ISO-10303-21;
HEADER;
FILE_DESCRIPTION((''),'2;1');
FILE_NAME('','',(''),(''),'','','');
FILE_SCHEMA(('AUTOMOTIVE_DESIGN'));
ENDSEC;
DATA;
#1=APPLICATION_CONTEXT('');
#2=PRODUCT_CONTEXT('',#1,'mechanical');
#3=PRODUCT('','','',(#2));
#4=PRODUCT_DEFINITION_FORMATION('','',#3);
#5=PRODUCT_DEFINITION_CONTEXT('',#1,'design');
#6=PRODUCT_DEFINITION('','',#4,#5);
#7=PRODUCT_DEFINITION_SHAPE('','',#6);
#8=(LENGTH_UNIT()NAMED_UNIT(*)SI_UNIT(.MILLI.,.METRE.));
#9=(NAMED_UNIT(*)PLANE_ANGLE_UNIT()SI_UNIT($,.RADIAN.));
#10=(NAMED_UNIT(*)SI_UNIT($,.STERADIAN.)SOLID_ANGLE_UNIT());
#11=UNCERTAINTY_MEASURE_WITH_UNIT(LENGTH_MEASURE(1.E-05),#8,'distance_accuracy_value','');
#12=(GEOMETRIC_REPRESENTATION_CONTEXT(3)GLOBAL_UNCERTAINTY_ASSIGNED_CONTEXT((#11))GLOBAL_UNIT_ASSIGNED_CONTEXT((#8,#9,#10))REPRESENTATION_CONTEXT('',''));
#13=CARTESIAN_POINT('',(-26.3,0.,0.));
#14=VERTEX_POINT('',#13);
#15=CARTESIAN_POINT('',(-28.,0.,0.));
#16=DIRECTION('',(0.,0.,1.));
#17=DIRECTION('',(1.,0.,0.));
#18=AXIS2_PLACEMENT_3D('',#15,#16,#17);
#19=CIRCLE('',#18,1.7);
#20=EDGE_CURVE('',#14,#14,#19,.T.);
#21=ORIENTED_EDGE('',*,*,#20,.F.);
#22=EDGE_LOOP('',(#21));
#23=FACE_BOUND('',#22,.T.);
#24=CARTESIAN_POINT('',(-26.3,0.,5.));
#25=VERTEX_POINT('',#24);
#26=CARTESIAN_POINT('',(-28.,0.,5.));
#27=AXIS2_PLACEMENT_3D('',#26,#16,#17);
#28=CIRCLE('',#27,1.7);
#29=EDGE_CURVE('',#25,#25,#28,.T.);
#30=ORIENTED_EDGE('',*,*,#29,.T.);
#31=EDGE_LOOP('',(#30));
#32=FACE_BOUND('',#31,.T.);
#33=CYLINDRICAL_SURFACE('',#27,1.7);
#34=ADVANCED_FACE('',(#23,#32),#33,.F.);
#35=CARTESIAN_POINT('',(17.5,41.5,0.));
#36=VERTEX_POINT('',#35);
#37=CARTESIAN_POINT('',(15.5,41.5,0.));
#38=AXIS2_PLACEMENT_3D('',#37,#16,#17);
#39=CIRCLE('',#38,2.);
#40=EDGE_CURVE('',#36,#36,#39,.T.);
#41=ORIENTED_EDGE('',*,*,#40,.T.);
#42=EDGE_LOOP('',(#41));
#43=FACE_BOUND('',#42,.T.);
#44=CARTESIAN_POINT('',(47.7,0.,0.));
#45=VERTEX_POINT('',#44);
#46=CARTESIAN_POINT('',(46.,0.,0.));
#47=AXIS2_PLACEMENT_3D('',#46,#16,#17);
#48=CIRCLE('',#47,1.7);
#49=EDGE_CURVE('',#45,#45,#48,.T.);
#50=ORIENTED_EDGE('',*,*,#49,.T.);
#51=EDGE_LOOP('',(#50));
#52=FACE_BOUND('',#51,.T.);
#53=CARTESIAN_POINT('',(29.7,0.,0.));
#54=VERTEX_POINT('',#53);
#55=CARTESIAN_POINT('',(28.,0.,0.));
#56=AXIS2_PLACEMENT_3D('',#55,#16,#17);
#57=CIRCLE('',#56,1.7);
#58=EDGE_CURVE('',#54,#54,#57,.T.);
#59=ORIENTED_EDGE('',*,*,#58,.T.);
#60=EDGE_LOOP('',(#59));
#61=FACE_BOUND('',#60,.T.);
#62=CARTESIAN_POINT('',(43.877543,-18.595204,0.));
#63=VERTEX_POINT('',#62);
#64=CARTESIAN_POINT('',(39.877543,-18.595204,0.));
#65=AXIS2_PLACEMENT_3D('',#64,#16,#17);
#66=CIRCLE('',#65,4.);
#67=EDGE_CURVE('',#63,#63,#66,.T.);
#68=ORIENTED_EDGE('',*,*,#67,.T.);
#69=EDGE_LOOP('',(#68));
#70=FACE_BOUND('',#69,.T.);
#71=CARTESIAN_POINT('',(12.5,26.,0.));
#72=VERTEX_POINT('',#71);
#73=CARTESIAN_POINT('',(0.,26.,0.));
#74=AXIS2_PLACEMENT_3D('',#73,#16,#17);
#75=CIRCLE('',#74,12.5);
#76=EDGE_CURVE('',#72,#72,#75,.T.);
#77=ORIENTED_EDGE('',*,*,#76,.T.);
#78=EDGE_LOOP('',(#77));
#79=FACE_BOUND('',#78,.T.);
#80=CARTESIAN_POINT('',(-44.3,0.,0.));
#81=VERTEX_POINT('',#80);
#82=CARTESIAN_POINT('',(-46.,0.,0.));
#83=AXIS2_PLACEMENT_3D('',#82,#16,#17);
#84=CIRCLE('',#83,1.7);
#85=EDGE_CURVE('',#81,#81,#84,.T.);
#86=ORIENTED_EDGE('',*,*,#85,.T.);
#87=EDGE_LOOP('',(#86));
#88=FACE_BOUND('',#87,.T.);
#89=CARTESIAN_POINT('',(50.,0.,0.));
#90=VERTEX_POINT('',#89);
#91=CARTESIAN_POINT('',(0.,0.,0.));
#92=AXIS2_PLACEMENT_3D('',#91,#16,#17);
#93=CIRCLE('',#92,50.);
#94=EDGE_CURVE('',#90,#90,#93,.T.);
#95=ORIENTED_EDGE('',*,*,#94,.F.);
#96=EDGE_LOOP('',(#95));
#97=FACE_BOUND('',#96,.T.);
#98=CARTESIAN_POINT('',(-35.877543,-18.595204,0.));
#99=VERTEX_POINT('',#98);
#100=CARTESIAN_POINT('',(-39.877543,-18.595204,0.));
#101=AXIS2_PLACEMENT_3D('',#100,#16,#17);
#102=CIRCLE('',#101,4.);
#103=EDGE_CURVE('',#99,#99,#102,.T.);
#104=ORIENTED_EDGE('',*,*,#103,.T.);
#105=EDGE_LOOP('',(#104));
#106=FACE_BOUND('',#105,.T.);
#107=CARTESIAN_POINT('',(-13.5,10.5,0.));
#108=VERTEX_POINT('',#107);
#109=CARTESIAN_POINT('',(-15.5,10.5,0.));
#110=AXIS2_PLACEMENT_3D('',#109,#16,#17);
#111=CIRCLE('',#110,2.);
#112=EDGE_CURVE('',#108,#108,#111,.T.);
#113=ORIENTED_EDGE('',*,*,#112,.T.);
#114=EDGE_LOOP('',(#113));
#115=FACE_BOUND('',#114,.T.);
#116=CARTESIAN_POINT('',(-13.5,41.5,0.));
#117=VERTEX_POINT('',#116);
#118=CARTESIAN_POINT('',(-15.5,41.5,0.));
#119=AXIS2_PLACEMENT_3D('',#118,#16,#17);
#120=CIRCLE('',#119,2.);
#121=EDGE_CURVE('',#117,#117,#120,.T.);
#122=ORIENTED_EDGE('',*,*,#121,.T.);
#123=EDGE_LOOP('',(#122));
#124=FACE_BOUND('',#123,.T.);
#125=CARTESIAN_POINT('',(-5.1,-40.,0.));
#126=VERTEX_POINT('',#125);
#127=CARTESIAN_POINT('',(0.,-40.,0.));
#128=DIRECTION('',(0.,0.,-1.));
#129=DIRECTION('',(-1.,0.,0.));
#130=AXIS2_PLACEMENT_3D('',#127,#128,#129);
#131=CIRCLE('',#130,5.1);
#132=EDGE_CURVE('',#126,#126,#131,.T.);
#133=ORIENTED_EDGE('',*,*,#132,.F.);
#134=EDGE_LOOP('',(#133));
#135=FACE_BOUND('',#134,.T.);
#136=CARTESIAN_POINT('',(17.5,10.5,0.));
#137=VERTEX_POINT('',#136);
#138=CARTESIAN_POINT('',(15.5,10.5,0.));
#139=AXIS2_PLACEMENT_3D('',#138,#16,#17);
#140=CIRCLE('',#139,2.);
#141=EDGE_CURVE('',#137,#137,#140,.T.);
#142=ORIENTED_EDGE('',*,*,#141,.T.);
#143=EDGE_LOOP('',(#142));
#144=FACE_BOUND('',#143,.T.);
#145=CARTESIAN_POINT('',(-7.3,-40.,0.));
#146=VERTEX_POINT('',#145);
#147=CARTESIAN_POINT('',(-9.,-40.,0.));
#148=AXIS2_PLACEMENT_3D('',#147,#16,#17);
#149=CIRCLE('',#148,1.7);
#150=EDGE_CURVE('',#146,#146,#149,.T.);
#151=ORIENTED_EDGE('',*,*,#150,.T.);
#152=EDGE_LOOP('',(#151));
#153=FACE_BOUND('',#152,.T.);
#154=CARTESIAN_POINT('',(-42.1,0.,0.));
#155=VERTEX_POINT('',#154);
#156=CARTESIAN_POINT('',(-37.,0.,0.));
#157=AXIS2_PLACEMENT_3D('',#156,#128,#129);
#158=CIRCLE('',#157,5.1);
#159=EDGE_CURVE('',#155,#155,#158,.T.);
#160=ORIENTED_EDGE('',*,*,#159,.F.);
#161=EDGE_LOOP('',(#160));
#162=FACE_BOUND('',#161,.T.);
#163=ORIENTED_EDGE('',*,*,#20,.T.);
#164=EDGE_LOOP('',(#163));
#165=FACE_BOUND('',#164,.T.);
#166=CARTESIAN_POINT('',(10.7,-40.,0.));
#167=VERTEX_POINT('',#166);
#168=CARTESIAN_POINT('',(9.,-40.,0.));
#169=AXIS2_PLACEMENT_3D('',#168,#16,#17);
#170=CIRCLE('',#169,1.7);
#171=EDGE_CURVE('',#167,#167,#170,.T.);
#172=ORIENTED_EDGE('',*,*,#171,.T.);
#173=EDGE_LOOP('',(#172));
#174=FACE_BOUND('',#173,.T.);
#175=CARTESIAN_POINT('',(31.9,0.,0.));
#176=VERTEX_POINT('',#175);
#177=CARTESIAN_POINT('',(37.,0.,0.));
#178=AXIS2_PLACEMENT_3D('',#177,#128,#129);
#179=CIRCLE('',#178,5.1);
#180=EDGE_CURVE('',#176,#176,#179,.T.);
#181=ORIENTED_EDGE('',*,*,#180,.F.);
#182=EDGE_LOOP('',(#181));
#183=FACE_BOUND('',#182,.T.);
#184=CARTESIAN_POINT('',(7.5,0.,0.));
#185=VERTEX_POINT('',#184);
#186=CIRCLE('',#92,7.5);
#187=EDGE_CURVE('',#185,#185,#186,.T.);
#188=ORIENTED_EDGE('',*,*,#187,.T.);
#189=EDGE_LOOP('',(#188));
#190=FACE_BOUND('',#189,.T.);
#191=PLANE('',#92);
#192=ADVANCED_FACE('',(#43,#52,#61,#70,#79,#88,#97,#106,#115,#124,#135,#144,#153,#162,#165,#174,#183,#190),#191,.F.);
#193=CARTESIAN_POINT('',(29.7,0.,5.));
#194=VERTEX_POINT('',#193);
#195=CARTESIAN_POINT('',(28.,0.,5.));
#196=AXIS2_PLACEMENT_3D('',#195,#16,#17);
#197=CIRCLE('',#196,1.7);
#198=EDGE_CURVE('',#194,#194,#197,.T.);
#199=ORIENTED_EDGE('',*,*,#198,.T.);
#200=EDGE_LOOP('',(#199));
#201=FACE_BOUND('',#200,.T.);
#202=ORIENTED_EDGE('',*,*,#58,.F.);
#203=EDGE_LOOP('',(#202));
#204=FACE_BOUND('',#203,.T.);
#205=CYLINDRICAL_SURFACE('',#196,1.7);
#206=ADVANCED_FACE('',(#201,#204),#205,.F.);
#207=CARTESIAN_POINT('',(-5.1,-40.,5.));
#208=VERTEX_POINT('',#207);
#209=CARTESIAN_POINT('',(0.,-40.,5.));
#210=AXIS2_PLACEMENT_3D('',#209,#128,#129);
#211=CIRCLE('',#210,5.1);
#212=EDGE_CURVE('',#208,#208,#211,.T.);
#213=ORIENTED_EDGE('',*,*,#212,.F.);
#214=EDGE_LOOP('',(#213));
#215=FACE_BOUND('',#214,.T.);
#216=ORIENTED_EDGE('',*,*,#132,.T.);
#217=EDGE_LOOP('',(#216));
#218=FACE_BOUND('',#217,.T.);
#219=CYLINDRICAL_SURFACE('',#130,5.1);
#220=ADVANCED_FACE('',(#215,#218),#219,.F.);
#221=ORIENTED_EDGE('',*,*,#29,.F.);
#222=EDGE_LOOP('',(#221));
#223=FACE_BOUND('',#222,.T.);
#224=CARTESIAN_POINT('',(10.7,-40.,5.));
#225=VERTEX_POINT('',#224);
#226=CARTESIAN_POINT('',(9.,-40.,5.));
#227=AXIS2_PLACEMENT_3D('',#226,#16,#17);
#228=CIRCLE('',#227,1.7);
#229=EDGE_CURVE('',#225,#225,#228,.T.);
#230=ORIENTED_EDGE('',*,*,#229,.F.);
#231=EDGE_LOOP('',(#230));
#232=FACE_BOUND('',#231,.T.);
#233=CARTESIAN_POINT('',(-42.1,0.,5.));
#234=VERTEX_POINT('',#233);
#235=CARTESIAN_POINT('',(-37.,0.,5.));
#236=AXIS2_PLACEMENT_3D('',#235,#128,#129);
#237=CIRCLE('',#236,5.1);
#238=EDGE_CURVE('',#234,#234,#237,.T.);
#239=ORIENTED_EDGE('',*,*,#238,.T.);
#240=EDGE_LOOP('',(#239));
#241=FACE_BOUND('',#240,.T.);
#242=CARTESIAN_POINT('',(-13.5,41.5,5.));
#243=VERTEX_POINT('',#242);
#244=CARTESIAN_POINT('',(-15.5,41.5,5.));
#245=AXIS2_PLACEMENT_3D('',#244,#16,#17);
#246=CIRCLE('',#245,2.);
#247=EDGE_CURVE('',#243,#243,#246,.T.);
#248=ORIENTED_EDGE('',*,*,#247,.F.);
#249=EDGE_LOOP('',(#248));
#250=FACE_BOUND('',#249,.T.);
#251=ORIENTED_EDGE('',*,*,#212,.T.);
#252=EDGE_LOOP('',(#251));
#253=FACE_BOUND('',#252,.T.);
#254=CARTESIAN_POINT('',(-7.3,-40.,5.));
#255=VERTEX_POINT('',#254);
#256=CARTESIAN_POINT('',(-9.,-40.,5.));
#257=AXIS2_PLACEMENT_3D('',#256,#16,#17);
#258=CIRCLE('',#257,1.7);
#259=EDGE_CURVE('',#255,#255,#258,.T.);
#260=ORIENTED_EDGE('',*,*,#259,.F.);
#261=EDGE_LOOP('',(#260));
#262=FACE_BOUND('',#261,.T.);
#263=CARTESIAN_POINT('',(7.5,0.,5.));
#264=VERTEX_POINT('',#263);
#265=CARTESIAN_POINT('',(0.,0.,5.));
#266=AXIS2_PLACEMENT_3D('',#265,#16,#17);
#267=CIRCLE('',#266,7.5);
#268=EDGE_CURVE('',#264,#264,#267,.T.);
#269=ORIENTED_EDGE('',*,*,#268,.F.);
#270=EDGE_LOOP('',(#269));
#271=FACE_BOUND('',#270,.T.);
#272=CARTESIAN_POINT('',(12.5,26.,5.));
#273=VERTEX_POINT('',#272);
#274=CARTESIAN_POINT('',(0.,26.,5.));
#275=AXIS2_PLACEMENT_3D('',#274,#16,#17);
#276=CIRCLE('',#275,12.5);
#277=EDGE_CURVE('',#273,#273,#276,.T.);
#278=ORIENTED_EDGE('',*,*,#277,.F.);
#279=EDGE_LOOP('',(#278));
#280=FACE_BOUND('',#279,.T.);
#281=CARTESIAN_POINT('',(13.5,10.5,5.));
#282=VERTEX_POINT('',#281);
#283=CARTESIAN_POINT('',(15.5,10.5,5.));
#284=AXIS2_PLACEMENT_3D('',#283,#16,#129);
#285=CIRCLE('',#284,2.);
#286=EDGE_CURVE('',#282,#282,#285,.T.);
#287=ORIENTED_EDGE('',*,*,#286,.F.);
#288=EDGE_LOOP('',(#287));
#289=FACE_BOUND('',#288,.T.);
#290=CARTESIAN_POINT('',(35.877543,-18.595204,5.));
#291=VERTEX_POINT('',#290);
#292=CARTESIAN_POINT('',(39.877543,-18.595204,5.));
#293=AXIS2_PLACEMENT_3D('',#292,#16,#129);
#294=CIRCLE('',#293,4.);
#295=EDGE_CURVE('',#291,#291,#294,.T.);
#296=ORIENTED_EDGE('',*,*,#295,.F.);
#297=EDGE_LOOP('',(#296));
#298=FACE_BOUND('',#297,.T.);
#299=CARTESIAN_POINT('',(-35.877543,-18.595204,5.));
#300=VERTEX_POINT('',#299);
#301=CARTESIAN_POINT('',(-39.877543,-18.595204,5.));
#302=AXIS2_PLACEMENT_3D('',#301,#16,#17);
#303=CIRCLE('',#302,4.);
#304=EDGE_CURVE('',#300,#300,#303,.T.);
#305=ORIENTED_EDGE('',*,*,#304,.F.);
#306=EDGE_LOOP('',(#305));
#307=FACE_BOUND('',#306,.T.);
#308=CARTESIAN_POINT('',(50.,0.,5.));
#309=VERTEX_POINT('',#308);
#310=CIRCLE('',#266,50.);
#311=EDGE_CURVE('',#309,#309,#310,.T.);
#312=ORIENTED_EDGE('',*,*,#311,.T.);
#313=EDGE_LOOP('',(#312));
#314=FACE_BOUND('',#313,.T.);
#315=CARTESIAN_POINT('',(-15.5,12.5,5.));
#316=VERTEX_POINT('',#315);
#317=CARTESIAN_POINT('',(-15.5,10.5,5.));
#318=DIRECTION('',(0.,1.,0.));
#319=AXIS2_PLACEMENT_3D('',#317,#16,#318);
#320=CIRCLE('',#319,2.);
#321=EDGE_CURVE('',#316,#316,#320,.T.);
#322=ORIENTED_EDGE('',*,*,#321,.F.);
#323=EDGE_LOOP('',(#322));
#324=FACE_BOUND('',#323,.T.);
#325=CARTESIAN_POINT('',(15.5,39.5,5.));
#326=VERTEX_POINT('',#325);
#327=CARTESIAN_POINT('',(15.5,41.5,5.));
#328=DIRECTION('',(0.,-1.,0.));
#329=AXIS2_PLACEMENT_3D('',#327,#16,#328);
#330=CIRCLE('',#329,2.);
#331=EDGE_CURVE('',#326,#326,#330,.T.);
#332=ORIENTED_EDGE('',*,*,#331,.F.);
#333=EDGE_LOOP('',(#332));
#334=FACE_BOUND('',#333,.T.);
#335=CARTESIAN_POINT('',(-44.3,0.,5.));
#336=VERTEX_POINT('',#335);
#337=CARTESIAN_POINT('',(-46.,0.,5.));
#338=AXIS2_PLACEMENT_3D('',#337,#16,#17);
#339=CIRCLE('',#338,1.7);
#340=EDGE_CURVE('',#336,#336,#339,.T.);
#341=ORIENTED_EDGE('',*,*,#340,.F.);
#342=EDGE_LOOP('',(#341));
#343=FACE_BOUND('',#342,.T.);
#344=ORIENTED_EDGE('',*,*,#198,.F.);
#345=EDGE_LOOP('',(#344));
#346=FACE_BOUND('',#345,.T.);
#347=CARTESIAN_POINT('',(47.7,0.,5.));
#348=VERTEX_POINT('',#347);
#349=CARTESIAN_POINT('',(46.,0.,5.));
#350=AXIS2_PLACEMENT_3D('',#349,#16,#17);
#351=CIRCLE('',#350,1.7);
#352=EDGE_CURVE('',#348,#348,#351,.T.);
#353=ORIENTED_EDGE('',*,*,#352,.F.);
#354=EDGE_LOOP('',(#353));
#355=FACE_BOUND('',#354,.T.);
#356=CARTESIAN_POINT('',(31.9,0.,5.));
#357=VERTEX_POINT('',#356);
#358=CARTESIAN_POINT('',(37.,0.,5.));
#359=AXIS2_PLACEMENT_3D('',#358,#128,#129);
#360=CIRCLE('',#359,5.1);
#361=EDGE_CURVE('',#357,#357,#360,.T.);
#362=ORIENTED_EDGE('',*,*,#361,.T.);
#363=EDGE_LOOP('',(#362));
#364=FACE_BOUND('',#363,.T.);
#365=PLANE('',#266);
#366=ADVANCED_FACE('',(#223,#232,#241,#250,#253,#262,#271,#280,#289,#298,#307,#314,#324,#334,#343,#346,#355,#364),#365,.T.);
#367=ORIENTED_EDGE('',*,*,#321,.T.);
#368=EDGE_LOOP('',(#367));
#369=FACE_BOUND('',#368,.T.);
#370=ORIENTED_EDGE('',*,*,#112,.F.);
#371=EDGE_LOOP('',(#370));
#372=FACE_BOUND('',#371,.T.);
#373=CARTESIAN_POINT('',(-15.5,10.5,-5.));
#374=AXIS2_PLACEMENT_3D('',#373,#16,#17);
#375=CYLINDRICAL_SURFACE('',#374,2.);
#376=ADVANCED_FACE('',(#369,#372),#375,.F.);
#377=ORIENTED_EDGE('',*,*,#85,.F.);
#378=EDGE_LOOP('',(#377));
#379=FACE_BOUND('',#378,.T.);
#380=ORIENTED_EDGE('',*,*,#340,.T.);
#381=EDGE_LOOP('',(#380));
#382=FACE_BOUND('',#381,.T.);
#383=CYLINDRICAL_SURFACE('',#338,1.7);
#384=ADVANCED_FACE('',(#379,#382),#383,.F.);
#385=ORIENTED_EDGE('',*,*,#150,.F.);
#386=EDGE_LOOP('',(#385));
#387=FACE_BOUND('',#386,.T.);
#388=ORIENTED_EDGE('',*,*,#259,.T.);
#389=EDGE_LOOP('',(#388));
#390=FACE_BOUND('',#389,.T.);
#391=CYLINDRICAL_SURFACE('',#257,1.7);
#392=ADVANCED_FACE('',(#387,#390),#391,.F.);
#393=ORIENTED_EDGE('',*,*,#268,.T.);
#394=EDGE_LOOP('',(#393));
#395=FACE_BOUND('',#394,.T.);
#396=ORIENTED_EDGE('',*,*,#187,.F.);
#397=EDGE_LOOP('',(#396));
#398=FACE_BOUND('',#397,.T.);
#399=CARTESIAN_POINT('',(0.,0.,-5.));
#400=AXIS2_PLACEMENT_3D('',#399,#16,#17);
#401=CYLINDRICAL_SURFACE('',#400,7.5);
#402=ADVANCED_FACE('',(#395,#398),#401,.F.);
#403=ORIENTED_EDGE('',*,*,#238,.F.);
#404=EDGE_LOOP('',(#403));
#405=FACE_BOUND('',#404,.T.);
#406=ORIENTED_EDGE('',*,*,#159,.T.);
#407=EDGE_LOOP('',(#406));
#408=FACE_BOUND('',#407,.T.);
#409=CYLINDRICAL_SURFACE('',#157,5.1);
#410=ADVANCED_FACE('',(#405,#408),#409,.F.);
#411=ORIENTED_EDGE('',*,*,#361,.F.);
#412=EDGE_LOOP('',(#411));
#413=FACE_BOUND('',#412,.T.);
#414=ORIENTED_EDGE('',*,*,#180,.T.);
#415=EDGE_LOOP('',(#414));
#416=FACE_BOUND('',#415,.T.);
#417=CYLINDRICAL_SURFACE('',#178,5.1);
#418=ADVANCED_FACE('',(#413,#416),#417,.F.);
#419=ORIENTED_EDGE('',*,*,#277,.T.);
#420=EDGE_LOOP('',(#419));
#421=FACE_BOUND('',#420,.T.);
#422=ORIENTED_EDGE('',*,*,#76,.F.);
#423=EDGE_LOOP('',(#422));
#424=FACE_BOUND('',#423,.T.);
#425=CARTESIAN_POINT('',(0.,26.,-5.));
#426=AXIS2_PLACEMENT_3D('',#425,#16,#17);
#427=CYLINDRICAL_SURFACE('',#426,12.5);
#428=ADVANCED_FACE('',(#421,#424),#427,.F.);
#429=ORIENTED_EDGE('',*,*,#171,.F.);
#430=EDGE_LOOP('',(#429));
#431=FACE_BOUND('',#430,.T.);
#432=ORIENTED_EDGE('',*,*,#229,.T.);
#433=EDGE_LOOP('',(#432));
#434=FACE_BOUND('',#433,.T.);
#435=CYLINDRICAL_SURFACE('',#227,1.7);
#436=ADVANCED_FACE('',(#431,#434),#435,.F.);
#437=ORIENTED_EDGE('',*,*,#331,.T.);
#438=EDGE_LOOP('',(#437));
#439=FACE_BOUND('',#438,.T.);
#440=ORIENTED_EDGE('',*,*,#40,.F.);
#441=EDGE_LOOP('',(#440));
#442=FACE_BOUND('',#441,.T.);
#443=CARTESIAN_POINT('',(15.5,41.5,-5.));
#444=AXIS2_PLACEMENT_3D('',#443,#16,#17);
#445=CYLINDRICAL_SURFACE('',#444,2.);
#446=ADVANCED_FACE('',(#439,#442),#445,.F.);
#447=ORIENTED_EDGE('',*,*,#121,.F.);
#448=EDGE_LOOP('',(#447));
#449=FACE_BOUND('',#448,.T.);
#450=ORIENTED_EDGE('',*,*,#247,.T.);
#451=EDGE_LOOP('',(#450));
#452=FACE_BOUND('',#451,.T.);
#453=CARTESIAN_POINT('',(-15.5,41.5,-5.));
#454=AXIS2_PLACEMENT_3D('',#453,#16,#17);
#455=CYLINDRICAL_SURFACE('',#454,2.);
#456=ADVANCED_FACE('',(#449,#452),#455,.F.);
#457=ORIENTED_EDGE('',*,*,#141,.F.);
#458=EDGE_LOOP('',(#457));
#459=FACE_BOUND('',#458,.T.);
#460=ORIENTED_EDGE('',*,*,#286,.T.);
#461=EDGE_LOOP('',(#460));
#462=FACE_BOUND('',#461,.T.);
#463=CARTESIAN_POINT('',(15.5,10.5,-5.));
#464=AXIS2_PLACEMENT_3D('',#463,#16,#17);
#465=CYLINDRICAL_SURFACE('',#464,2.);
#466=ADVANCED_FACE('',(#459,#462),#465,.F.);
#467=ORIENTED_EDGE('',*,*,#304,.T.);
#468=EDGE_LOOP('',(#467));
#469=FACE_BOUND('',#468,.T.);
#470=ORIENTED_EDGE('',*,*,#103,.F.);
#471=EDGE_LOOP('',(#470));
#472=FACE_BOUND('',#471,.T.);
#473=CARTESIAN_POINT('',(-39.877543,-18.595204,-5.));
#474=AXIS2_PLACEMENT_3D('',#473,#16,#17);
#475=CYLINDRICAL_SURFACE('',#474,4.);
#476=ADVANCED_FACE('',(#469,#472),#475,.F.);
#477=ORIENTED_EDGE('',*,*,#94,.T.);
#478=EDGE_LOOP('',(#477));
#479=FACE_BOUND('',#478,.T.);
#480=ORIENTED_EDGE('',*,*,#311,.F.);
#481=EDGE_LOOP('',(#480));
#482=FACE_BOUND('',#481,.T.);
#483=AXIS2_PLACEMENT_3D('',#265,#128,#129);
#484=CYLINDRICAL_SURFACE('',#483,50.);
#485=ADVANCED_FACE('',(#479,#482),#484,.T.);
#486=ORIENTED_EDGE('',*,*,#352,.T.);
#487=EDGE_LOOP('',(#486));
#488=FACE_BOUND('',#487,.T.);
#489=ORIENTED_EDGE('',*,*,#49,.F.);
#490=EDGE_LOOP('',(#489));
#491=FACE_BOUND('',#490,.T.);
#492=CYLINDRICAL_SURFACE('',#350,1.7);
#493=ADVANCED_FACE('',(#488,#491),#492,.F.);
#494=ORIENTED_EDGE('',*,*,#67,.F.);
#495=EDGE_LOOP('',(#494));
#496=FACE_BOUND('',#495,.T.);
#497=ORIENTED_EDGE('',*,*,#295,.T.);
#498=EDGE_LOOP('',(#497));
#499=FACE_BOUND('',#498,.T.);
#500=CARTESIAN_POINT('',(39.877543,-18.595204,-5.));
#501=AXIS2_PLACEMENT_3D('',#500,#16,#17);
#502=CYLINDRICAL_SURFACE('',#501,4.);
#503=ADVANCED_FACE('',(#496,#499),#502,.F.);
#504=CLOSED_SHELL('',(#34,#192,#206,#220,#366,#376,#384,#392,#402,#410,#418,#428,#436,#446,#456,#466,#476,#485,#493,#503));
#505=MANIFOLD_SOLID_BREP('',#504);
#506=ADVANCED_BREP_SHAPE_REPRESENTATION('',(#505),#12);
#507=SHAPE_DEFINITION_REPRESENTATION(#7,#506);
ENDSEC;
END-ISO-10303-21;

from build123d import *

# Parameters (mm, degrees)
SKETCH1_R                    = 50
BOSS_EXTRUDE1_DEPTH          = 5
F_10_2_10_2_DIAMETER_HOLE1_D = 10.2
M3_CLEARANCE_HOLE1_D         = 3.4
SKETCH12_R                   = 12.5
CUT_EXTRUDE2_DEPTH           = 10
SKETCH13_R                   = 2
CUT_EXTRUDE3_DEPTH           = 10
CIRPATTERN1_COUNT            = 4
SKETCH14_R                   = 4
CUT_EXTRUDE4_DEPTH           = 10
SKETCH15_R                   = 7.5
CUT_EXTRUDE5_DEPTH           = 10


with BuildPart() as part:
    # Sketch1 → Boss-Extrude1 (new body)
    with BuildSketch(Plane.XY):
        Circle(SKETCH1_R)
    extrude(amount=BOSS_EXTRUDE1_DEPTH)

    # Ø10.2 (10.2) Diameter Hole1 (through all)
    with Locations(Plane(origin=(0, 0, 0), x_dir=(-1, 0, 0), z_dir=(0, 0, -1))):
        with Locations((37, 0), (-37, 0), (0, -40)):
            Hole(F_10_2_10_2_DIAMETER_HOLE1_D / 2)

    # M3 Clearance Hole1 (through all)
    with Locations(Plane.XY.offset(5)):
        with Locations((46, 0), (28, 0), (9, -40), (-9, -40), (-46, 0), (-28, 0)):
            Hole(M3_CLEARANCE_HOLE1_D / 2)

    # Sketch12 → Cut-Extrude2 (cut)
    with BuildSketch(Plane.XY.offset(5)):
        with Locations((0, 26)):
            Circle(SKETCH12_R)
    extrude(amount=-CUT_EXTRUDE2_DEPTH, mode=Mode.SUBTRACT)

    # Sketch13 → Cut-Extrude3 (cut)
    with BuildSketch(Plane.XY.offset(5)):
        with Locations((-15.5, 41.5)):
            Circle(SKETCH13_R)
    cut_extrude3 = extrude(amount=-CUT_EXTRUDE3_DEPTH, mode=Mode.SUBTRACT)

    # CirPattern1: Cut-Extrude3 ×4 about axis
    cirpattern1_axis = Axis((0, 26, 0), (0, 0, 1))
    for i in range(1, CIRPATTERN1_COUNT):
        add(cut_extrude3.rotate(cirpattern1_axis, i * 360 / CIRPATTERN1_COUNT), mode=Mode.SUBTRACT)

    # Sketch14 → Cut-Extrude4 (cut)
    with BuildSketch(Plane.XY.offset(5)):
        with Locations((-39.87754263, -18.595203517)):
            Circle(SKETCH14_R)
        with Locations((39.87754263, -18.595203517)):
            Circle(SKETCH14_R)
    extrude(amount=-CUT_EXTRUDE4_DEPTH, mode=Mode.SUBTRACT)

    # Sketch15 → Cut-Extrude5 (cut)
    with BuildSketch(Plane.XY.offset(5)):
        Circle(SKETCH15_R)
    extrude(amount=-CUT_EXTRUDE5_DEPTH, mode=Mode.SUBTRACT)


solid = part.part
